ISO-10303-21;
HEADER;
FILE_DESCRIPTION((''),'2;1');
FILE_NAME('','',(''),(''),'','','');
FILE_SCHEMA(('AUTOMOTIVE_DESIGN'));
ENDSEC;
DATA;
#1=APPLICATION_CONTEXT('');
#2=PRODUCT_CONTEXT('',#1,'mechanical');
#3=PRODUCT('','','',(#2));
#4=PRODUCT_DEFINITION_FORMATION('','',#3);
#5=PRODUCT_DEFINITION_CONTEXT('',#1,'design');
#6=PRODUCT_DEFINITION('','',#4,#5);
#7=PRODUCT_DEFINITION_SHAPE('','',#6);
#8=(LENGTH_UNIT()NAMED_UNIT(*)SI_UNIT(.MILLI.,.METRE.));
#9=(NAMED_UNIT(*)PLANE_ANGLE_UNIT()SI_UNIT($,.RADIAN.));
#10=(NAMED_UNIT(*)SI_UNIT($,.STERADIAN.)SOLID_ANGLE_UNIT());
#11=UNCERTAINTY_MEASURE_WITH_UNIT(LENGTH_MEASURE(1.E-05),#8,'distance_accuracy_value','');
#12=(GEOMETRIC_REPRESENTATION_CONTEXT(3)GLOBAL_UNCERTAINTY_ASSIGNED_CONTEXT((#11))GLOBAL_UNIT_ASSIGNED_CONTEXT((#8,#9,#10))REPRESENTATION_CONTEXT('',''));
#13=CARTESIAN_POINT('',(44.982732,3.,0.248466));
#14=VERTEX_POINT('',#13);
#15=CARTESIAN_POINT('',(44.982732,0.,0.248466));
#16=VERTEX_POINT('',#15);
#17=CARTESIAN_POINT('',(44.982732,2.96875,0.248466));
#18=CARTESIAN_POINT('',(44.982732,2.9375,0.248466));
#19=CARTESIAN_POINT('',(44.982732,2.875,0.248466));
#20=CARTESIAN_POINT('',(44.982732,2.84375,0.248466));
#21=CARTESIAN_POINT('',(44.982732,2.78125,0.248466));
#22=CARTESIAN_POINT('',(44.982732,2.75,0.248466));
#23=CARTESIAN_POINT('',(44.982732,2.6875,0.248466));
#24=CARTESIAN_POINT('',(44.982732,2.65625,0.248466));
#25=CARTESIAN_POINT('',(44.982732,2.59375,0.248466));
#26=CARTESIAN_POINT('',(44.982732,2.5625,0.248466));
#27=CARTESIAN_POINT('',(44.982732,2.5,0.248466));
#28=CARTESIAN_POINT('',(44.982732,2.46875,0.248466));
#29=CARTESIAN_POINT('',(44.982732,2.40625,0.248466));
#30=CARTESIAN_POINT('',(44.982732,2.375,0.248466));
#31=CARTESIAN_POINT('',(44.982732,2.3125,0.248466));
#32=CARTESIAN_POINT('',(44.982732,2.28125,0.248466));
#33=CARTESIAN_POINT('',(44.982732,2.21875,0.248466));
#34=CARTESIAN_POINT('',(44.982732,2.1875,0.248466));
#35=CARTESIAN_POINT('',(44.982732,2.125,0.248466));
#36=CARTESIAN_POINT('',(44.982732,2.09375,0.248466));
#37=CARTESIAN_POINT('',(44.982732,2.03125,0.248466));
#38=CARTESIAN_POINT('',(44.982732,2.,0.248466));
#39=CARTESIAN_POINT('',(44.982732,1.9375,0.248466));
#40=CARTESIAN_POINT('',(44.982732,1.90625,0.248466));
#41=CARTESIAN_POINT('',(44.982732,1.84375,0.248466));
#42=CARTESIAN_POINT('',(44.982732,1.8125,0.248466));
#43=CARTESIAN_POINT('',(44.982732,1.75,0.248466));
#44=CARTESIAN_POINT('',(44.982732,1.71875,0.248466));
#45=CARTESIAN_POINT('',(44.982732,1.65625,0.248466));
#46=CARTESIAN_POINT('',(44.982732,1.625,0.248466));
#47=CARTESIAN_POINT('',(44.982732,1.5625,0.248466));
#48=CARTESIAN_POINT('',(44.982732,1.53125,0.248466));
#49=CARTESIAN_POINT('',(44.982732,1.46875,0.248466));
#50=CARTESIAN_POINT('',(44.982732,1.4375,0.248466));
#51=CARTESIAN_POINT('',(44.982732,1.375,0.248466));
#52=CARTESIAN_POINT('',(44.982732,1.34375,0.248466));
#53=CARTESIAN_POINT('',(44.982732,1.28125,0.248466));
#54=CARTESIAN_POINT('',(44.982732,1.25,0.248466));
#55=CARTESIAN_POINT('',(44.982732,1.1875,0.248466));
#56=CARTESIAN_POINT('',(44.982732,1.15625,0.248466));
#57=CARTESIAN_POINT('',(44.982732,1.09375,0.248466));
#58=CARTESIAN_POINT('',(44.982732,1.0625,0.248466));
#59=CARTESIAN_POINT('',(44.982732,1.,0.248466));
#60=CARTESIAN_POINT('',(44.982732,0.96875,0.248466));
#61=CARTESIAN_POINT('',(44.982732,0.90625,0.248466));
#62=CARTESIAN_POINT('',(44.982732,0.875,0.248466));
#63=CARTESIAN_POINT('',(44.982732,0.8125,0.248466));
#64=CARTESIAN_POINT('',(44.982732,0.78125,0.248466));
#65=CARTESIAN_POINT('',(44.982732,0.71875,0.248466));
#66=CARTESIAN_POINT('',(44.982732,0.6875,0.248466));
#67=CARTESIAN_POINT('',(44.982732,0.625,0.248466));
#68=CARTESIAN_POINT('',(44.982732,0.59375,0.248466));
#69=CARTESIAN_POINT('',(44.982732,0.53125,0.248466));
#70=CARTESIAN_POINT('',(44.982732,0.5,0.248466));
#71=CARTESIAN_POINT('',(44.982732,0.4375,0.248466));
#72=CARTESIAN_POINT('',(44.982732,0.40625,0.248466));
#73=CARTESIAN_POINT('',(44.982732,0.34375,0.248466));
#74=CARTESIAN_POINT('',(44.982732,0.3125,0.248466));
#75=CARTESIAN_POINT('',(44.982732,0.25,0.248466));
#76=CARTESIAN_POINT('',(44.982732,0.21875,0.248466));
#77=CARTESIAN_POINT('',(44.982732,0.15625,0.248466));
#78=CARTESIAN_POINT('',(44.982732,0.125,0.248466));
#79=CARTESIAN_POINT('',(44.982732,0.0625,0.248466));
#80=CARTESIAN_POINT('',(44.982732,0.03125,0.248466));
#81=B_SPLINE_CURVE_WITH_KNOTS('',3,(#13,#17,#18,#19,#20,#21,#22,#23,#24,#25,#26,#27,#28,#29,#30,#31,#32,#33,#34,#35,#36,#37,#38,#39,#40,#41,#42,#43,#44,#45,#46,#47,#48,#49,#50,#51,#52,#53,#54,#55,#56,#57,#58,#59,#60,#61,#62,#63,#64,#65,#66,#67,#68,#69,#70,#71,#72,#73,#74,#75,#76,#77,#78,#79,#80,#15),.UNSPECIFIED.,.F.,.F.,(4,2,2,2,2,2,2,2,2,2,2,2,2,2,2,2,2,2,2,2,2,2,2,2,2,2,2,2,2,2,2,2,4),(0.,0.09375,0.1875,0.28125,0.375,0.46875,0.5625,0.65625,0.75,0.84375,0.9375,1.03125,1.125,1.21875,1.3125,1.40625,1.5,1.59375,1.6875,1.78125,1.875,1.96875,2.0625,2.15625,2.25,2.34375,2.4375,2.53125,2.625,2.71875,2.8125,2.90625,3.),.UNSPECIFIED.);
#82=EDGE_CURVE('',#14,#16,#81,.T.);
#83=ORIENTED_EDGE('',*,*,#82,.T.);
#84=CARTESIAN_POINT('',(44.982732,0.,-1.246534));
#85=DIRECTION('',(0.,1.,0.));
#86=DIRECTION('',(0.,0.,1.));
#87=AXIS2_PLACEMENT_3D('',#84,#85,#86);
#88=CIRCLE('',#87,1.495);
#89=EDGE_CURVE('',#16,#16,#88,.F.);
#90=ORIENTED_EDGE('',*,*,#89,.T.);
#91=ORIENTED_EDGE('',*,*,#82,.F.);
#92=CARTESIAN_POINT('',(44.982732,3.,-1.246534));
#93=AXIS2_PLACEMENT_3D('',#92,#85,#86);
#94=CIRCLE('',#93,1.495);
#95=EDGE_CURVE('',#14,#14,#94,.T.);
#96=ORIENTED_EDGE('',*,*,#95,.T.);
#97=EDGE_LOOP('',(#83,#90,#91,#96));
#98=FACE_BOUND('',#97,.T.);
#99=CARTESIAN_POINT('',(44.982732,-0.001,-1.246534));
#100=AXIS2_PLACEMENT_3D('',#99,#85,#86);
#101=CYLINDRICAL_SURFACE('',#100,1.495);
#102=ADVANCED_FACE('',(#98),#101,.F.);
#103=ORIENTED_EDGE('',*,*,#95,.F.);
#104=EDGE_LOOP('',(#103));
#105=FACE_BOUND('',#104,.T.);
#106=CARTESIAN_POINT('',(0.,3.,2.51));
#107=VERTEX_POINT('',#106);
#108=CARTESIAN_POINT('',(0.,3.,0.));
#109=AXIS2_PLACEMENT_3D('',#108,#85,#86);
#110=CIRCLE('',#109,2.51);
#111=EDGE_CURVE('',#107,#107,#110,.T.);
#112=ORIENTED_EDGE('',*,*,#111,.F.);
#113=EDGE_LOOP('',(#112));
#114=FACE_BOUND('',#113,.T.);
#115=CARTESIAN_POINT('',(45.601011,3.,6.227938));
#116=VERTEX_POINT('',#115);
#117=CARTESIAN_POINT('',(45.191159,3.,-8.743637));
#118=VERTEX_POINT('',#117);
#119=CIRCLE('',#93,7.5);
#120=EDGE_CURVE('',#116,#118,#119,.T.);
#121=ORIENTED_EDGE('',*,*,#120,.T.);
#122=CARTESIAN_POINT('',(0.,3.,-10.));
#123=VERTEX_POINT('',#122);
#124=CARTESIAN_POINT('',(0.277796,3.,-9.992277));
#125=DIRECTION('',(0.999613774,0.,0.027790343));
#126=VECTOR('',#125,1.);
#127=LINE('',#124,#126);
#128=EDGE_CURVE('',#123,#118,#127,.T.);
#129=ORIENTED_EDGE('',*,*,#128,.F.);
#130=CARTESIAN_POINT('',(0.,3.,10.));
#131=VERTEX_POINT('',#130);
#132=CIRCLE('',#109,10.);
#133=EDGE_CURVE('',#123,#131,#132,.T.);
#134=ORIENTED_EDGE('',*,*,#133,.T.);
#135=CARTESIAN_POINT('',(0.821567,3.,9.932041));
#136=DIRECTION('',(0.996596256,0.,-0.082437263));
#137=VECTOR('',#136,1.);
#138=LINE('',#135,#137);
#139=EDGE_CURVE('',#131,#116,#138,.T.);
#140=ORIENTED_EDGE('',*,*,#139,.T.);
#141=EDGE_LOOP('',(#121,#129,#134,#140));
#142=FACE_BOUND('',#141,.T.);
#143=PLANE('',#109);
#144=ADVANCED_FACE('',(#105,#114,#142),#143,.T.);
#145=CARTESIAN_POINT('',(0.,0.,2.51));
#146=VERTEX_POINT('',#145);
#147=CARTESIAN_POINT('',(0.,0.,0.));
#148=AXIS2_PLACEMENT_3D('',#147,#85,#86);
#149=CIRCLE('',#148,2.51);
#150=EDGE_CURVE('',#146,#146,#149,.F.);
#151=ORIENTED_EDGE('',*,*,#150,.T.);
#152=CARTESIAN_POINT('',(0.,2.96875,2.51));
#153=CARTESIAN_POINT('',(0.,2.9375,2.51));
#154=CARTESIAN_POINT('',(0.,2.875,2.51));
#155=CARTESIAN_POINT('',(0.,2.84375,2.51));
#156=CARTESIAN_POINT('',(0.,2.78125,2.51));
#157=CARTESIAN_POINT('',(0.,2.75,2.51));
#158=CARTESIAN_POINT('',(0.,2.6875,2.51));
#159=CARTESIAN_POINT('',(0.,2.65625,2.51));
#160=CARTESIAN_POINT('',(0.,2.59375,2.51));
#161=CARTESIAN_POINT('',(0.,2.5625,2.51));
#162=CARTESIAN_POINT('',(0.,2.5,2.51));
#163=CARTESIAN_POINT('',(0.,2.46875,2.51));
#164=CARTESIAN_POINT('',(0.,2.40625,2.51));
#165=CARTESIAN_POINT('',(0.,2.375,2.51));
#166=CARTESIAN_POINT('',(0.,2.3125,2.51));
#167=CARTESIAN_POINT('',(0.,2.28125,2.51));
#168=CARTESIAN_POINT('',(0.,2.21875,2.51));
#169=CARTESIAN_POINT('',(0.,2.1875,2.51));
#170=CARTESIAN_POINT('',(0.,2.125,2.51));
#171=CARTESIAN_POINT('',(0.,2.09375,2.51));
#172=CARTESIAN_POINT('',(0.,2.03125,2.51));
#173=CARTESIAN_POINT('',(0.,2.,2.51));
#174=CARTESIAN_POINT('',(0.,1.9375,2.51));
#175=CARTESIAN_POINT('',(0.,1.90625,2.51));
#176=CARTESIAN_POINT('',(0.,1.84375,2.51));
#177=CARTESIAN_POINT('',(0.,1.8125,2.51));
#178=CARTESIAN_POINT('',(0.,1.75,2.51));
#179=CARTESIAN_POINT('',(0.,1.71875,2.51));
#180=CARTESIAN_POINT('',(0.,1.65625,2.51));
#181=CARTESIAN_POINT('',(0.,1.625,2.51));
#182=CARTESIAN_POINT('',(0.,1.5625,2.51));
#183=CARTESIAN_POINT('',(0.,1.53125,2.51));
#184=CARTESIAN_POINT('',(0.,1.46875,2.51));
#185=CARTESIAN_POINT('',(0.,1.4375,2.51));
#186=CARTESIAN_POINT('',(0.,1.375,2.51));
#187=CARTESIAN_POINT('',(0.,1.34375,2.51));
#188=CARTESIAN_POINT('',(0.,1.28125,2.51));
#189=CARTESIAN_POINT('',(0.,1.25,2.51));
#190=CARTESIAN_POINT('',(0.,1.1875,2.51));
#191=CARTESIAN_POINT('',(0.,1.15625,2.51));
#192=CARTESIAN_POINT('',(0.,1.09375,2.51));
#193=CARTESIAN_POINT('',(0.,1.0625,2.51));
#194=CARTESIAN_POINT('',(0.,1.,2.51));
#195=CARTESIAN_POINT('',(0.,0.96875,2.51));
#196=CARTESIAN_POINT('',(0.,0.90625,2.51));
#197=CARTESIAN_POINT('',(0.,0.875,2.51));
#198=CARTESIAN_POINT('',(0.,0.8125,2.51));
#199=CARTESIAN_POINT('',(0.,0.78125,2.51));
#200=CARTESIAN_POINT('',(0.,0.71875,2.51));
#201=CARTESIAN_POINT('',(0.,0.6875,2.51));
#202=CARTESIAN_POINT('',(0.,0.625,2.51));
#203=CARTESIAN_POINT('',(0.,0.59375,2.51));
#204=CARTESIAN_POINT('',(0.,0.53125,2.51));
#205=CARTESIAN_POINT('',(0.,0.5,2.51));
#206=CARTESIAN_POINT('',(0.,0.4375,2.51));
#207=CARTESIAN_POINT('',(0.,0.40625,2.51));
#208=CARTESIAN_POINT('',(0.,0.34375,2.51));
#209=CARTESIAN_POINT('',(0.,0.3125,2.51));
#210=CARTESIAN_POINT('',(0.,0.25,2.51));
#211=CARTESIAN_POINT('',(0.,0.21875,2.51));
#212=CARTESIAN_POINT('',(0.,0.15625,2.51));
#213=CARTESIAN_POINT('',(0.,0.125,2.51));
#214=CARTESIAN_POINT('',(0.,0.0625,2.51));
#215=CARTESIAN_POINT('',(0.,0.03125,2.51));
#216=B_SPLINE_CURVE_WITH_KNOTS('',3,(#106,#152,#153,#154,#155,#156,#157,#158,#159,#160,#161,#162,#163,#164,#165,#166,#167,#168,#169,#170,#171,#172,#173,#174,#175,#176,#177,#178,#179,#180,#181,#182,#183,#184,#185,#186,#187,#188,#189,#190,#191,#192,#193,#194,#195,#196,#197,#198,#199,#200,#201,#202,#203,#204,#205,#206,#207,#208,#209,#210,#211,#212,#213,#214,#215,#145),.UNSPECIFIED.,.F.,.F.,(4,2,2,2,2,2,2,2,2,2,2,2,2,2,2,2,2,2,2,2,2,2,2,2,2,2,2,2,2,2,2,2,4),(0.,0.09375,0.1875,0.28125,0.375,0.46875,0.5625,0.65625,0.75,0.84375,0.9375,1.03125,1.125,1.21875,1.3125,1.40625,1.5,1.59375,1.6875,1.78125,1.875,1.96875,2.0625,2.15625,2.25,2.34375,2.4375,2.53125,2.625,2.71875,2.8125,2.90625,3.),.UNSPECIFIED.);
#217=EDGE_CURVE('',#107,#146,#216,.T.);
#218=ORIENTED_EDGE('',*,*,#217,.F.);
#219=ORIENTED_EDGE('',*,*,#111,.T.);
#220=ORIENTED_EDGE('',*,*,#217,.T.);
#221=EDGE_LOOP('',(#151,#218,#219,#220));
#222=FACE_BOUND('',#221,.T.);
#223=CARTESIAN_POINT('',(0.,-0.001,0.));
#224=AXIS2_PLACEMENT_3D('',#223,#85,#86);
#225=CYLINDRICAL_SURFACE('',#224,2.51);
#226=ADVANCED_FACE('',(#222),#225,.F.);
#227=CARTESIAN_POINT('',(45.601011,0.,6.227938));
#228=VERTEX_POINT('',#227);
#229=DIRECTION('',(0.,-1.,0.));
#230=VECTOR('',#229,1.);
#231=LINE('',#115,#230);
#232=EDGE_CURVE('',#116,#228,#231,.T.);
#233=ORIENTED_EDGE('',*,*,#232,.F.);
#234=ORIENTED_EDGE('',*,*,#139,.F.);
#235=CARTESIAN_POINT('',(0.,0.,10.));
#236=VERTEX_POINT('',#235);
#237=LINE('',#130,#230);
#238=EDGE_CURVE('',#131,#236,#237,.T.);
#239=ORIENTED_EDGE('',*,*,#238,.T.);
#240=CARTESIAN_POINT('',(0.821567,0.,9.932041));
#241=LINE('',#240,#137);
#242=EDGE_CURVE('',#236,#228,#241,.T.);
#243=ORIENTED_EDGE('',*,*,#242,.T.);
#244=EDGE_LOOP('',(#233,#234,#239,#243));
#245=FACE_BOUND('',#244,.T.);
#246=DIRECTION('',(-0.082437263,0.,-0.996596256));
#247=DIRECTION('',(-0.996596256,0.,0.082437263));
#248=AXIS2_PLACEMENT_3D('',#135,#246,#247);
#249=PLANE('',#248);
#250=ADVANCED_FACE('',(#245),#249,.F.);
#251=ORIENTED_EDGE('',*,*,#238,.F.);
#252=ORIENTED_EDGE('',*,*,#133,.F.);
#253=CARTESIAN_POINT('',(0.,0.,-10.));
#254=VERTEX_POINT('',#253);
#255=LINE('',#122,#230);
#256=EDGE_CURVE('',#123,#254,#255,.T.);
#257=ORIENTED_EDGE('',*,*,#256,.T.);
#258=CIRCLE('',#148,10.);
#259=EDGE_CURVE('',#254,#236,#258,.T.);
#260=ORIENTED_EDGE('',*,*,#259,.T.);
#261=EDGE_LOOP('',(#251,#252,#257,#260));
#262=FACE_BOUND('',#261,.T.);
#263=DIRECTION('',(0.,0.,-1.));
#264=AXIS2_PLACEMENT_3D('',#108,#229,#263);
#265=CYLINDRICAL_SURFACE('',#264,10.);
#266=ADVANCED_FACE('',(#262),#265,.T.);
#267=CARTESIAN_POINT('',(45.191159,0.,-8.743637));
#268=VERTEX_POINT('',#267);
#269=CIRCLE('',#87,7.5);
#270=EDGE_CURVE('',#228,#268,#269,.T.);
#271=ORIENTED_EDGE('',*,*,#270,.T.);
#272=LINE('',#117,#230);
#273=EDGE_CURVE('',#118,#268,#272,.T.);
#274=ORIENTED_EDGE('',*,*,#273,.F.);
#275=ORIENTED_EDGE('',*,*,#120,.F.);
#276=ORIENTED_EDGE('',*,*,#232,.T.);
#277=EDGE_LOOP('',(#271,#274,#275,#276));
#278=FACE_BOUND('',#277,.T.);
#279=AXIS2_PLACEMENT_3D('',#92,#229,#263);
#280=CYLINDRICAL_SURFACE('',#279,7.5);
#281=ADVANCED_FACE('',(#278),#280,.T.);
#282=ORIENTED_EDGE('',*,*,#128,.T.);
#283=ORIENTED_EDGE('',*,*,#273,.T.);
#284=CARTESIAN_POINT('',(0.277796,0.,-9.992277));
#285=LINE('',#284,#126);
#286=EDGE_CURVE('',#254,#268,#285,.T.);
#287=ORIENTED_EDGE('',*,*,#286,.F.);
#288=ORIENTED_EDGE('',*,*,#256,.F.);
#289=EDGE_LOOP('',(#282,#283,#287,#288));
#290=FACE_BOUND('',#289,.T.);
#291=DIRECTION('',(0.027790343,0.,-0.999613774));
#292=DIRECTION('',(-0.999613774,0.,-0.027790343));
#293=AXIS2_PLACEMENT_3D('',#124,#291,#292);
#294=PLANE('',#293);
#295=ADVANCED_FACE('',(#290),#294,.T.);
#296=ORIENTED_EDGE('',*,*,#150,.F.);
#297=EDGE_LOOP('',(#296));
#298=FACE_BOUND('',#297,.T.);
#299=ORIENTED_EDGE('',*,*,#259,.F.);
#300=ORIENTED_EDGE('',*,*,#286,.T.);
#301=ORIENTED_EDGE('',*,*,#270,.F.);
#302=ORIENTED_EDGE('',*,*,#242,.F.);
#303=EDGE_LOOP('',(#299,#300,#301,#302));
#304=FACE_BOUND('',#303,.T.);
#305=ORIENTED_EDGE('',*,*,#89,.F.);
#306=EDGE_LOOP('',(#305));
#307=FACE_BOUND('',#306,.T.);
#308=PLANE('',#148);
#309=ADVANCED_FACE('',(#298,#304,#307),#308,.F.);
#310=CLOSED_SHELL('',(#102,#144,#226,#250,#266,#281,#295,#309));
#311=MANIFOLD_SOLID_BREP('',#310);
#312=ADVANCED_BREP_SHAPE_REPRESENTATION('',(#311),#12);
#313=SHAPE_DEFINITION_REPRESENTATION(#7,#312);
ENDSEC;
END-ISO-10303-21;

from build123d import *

# Parameters (mm, degrees)
BOSS_EXTRUDE1_DEPTH = 3
CUT_EXTRUDE1_REACH  = 55.511
SKETCH2_R           = 2.51
SKETCH2_R_2         = 1.495


with BuildPart() as part:
    # Sketch1 → Boss-Extrude1 (new body)
    with BuildSketch(Plane(origin=(0, 0, 0), x_dir=(1, 0, 0), z_dir=(0, 1, 0))):
        with BuildLine():
            ThreePointArc((0, 10), (-10, 0), (0, -10))
            Line((0, -10), (45.601011206, -6.227938292))
            ThreePointArc((45.601011206, -6.227938292), (52.479923025, 1.451771759), (45.191159304, 8.743636932))
            Line((45.191159304, 8.743636932), (0, 10))
        make_face()
    extrude(amount=BOSS_EXTRUDE1_DEPTH)

    # Sketch2 → Cut-Extrude1 (cut, up to next)
    with BuildSketch(Plane(origin=(0, 3, 0), x_dir=(1, 0, 0), z_dir=(0, 1, 0)), mode=Mode.PRIVATE) as cut_extrude1_sk1:
        with Locations(Location((0, 0, 0), (0, 0, 270))):
            Circle(SKETCH2_R)
    cut_extrude1_tool1 = extrude(cut_extrude1_sk1.sketch, amount=-CUT_EXTRUDE1_REACH, mode=Mode.PRIVATE) & part.part
    # Sketch2 → Cut-Extrude1 (cut, up to next)
    with BuildSketch(Plane(origin=(0, 3, 0), x_dir=(1, 0, 0), z_dir=(0, 1, 0)), mode=Mode.PRIVATE) as cut_extrude1_sk2:
        with Locations(Location((44.98273173, 1.246533628, 0), (0, 0, 270))):
            Circle(SKETCH2_R_2)
    cut_extrude1_tool2 = extrude(cut_extrude1_sk2.sketch, amount=-CUT_EXTRUDE1_REACH, mode=Mode.PRIVATE) & part.part
    add(cut_extrude1_tool1.solids().sort_by_distance((0, 3, 0))[0], mode=Mode.SUBTRACT)
    add(cut_extrude1_tool2.solids().sort_by_distance((44.982732, 3, -1.246534))[0], mode=Mode.SUBTRACT)


solid = part.part
